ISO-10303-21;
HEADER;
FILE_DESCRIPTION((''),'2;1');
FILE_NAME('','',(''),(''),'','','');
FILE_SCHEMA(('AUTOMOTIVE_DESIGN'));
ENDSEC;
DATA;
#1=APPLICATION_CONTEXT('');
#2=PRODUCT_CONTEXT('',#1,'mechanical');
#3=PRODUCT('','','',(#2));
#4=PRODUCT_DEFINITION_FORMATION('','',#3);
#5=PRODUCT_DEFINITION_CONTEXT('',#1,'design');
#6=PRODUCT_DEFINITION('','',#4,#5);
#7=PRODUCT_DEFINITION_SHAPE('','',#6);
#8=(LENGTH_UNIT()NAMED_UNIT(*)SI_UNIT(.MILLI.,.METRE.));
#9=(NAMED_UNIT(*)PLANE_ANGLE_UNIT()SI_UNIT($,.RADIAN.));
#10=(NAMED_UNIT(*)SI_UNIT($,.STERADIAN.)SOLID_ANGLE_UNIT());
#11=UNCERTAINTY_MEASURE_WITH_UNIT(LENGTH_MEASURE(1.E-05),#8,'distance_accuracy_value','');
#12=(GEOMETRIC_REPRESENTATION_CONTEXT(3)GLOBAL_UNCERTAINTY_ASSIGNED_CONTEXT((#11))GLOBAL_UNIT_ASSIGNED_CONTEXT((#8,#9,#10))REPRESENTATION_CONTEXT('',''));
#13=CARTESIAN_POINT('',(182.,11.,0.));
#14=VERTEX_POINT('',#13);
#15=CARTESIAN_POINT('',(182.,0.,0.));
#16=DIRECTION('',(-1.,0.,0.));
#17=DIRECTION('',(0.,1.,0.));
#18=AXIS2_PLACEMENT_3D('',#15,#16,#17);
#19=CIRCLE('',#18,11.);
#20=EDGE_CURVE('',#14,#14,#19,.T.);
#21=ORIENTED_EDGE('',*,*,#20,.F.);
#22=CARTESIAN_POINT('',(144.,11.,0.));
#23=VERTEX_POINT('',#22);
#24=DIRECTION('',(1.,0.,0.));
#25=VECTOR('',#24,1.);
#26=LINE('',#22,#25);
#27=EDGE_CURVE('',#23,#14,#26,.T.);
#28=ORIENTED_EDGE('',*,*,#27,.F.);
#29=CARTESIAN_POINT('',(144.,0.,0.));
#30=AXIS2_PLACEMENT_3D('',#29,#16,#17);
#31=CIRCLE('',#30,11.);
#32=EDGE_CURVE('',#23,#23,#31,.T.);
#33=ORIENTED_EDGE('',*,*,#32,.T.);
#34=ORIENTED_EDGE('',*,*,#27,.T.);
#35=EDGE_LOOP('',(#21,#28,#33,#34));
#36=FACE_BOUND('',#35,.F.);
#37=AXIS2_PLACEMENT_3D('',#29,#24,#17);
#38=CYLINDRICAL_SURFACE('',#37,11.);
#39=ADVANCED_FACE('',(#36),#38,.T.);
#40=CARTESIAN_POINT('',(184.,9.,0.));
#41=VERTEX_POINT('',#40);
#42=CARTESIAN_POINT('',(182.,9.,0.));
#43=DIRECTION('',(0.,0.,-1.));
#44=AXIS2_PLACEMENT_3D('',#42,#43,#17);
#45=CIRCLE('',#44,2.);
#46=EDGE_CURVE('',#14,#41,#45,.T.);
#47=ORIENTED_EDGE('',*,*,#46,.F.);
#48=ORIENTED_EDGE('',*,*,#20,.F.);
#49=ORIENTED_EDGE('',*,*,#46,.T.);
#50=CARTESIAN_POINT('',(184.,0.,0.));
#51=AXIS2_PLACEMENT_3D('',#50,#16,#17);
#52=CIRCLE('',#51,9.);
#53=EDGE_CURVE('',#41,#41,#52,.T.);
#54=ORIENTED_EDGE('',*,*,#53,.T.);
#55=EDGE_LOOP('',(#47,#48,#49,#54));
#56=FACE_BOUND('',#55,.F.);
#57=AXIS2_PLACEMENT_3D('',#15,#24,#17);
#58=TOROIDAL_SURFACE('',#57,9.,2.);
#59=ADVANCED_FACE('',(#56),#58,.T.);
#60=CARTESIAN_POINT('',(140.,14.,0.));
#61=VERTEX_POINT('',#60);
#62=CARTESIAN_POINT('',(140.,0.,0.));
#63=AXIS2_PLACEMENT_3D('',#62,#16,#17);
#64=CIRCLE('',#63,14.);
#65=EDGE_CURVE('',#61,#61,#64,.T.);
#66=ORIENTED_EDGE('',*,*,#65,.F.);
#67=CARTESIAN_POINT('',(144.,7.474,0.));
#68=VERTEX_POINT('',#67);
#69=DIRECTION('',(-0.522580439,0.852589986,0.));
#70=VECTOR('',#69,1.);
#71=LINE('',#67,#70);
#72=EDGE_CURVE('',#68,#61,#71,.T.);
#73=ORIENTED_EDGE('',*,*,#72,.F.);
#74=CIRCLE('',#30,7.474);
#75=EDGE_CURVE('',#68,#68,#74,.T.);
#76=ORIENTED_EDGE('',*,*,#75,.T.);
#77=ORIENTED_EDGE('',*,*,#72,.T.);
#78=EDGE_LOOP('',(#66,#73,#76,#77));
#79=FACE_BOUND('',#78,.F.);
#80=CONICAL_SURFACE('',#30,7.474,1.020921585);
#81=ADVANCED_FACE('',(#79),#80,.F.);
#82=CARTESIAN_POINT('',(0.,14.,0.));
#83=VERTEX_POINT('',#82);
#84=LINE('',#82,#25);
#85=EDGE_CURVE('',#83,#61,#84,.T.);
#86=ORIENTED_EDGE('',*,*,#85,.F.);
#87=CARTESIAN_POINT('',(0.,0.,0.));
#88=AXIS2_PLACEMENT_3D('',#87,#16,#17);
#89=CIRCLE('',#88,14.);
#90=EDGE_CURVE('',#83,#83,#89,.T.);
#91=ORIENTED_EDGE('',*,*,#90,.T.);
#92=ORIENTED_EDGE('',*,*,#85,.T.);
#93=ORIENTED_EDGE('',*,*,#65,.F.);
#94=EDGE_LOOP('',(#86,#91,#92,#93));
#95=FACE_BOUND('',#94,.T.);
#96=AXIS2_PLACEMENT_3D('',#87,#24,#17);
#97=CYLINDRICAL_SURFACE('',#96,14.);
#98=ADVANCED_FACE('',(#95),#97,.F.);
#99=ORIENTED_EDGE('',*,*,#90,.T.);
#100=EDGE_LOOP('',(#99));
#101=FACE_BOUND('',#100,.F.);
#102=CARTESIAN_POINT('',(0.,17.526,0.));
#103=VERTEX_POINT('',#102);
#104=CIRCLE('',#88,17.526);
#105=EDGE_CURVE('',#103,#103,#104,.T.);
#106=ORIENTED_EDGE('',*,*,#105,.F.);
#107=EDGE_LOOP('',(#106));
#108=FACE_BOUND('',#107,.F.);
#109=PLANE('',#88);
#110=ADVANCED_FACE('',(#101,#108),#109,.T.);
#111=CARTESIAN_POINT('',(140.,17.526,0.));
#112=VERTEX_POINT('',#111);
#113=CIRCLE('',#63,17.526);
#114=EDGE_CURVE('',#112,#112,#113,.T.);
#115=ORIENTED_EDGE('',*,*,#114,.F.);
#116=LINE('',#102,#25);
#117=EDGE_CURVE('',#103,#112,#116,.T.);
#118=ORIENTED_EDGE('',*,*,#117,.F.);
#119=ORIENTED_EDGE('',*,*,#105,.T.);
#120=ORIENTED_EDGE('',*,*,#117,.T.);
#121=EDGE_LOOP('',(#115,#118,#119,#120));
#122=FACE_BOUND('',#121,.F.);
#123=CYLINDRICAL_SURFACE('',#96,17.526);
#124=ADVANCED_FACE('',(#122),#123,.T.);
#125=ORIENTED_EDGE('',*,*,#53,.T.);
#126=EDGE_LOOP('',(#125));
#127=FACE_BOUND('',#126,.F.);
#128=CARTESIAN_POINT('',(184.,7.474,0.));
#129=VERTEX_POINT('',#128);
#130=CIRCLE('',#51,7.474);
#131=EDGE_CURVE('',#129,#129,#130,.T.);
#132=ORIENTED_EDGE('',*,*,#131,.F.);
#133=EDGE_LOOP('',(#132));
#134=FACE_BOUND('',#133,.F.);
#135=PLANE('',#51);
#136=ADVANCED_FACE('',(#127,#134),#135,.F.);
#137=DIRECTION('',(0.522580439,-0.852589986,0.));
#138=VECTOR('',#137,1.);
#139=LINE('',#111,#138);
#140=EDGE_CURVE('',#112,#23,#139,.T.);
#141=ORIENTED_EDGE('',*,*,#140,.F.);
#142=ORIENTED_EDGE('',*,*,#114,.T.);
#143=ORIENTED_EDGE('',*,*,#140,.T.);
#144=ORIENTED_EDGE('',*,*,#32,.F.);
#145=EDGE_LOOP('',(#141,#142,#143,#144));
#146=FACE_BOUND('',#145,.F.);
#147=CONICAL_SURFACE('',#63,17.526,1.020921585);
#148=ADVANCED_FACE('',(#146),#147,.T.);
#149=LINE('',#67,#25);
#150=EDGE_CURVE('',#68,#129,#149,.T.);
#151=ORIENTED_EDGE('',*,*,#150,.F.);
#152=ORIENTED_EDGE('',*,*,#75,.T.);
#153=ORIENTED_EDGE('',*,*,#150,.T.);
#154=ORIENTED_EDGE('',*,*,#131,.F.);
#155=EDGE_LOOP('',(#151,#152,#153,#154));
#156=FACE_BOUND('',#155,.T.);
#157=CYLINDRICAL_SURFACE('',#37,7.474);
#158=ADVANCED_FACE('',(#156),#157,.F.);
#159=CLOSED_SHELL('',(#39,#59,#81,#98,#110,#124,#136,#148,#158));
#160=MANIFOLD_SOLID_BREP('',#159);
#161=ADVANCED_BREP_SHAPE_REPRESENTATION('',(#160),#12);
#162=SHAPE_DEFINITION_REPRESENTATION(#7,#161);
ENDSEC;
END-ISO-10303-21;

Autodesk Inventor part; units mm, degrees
ref_plane "YZ Plane" through (0, 0, 0) normal (1, 0, 0) x (0, 1, 0)
ref_plane "XZ Plane" through (0, 0, 0) normal (0, 1, 0) x (-1, 0, 0)
ref_plane "XY Plane" through (0, 0, 0) normal (0, 0, 1) x (1, 0, 0)
sketch "Boceto1" plane through (0, 0, 0) normal (0, 0, 1) x (1, 0, 0)
  line L0 (0, 0) -> (0, 17.526)
  line L1 (0, 17.526) -> (140, 17.526)
  line L2 (140, 17.526) -> (144, 11)
  line L3 (144, 11) -> (184, 11)
  line L4 (184, 11) -> (184, 0)
  line L5 (144, 7.474) -> (184, 7.474)
  line L6 (184, 0) -> (0, 0)
  line L7 (0, 17.526) -> (0, 14)
  line L8 (0, 14) -> (140, 14)
  line L9 (144, 7.474) -> (140, 14)
  point P0 (0, 11.6562)
  dimension "d5" = 140
  dimension "d9" = 40
  dimension "d13" = 17.526
  dimension "d14" = 14
revolve "Revolución2" add sketch "Boceto1" angle 360 about axis through (184, 0, 0) along (-1, 0, 0) contours L0 L1 L2 L3 L4 L5 L9 L8
fillet "Empalme2" radius 2 1 edges at (184, -11, 0)
equation "\"d13\" = 0.5 * DintTub"
equation "\"d14\" = 0.5 * DIntTubTen"
equation "\"DintTub\" = 35.052"
equation "\"DIntTubTen\" = 28"
properties material "Acero"
